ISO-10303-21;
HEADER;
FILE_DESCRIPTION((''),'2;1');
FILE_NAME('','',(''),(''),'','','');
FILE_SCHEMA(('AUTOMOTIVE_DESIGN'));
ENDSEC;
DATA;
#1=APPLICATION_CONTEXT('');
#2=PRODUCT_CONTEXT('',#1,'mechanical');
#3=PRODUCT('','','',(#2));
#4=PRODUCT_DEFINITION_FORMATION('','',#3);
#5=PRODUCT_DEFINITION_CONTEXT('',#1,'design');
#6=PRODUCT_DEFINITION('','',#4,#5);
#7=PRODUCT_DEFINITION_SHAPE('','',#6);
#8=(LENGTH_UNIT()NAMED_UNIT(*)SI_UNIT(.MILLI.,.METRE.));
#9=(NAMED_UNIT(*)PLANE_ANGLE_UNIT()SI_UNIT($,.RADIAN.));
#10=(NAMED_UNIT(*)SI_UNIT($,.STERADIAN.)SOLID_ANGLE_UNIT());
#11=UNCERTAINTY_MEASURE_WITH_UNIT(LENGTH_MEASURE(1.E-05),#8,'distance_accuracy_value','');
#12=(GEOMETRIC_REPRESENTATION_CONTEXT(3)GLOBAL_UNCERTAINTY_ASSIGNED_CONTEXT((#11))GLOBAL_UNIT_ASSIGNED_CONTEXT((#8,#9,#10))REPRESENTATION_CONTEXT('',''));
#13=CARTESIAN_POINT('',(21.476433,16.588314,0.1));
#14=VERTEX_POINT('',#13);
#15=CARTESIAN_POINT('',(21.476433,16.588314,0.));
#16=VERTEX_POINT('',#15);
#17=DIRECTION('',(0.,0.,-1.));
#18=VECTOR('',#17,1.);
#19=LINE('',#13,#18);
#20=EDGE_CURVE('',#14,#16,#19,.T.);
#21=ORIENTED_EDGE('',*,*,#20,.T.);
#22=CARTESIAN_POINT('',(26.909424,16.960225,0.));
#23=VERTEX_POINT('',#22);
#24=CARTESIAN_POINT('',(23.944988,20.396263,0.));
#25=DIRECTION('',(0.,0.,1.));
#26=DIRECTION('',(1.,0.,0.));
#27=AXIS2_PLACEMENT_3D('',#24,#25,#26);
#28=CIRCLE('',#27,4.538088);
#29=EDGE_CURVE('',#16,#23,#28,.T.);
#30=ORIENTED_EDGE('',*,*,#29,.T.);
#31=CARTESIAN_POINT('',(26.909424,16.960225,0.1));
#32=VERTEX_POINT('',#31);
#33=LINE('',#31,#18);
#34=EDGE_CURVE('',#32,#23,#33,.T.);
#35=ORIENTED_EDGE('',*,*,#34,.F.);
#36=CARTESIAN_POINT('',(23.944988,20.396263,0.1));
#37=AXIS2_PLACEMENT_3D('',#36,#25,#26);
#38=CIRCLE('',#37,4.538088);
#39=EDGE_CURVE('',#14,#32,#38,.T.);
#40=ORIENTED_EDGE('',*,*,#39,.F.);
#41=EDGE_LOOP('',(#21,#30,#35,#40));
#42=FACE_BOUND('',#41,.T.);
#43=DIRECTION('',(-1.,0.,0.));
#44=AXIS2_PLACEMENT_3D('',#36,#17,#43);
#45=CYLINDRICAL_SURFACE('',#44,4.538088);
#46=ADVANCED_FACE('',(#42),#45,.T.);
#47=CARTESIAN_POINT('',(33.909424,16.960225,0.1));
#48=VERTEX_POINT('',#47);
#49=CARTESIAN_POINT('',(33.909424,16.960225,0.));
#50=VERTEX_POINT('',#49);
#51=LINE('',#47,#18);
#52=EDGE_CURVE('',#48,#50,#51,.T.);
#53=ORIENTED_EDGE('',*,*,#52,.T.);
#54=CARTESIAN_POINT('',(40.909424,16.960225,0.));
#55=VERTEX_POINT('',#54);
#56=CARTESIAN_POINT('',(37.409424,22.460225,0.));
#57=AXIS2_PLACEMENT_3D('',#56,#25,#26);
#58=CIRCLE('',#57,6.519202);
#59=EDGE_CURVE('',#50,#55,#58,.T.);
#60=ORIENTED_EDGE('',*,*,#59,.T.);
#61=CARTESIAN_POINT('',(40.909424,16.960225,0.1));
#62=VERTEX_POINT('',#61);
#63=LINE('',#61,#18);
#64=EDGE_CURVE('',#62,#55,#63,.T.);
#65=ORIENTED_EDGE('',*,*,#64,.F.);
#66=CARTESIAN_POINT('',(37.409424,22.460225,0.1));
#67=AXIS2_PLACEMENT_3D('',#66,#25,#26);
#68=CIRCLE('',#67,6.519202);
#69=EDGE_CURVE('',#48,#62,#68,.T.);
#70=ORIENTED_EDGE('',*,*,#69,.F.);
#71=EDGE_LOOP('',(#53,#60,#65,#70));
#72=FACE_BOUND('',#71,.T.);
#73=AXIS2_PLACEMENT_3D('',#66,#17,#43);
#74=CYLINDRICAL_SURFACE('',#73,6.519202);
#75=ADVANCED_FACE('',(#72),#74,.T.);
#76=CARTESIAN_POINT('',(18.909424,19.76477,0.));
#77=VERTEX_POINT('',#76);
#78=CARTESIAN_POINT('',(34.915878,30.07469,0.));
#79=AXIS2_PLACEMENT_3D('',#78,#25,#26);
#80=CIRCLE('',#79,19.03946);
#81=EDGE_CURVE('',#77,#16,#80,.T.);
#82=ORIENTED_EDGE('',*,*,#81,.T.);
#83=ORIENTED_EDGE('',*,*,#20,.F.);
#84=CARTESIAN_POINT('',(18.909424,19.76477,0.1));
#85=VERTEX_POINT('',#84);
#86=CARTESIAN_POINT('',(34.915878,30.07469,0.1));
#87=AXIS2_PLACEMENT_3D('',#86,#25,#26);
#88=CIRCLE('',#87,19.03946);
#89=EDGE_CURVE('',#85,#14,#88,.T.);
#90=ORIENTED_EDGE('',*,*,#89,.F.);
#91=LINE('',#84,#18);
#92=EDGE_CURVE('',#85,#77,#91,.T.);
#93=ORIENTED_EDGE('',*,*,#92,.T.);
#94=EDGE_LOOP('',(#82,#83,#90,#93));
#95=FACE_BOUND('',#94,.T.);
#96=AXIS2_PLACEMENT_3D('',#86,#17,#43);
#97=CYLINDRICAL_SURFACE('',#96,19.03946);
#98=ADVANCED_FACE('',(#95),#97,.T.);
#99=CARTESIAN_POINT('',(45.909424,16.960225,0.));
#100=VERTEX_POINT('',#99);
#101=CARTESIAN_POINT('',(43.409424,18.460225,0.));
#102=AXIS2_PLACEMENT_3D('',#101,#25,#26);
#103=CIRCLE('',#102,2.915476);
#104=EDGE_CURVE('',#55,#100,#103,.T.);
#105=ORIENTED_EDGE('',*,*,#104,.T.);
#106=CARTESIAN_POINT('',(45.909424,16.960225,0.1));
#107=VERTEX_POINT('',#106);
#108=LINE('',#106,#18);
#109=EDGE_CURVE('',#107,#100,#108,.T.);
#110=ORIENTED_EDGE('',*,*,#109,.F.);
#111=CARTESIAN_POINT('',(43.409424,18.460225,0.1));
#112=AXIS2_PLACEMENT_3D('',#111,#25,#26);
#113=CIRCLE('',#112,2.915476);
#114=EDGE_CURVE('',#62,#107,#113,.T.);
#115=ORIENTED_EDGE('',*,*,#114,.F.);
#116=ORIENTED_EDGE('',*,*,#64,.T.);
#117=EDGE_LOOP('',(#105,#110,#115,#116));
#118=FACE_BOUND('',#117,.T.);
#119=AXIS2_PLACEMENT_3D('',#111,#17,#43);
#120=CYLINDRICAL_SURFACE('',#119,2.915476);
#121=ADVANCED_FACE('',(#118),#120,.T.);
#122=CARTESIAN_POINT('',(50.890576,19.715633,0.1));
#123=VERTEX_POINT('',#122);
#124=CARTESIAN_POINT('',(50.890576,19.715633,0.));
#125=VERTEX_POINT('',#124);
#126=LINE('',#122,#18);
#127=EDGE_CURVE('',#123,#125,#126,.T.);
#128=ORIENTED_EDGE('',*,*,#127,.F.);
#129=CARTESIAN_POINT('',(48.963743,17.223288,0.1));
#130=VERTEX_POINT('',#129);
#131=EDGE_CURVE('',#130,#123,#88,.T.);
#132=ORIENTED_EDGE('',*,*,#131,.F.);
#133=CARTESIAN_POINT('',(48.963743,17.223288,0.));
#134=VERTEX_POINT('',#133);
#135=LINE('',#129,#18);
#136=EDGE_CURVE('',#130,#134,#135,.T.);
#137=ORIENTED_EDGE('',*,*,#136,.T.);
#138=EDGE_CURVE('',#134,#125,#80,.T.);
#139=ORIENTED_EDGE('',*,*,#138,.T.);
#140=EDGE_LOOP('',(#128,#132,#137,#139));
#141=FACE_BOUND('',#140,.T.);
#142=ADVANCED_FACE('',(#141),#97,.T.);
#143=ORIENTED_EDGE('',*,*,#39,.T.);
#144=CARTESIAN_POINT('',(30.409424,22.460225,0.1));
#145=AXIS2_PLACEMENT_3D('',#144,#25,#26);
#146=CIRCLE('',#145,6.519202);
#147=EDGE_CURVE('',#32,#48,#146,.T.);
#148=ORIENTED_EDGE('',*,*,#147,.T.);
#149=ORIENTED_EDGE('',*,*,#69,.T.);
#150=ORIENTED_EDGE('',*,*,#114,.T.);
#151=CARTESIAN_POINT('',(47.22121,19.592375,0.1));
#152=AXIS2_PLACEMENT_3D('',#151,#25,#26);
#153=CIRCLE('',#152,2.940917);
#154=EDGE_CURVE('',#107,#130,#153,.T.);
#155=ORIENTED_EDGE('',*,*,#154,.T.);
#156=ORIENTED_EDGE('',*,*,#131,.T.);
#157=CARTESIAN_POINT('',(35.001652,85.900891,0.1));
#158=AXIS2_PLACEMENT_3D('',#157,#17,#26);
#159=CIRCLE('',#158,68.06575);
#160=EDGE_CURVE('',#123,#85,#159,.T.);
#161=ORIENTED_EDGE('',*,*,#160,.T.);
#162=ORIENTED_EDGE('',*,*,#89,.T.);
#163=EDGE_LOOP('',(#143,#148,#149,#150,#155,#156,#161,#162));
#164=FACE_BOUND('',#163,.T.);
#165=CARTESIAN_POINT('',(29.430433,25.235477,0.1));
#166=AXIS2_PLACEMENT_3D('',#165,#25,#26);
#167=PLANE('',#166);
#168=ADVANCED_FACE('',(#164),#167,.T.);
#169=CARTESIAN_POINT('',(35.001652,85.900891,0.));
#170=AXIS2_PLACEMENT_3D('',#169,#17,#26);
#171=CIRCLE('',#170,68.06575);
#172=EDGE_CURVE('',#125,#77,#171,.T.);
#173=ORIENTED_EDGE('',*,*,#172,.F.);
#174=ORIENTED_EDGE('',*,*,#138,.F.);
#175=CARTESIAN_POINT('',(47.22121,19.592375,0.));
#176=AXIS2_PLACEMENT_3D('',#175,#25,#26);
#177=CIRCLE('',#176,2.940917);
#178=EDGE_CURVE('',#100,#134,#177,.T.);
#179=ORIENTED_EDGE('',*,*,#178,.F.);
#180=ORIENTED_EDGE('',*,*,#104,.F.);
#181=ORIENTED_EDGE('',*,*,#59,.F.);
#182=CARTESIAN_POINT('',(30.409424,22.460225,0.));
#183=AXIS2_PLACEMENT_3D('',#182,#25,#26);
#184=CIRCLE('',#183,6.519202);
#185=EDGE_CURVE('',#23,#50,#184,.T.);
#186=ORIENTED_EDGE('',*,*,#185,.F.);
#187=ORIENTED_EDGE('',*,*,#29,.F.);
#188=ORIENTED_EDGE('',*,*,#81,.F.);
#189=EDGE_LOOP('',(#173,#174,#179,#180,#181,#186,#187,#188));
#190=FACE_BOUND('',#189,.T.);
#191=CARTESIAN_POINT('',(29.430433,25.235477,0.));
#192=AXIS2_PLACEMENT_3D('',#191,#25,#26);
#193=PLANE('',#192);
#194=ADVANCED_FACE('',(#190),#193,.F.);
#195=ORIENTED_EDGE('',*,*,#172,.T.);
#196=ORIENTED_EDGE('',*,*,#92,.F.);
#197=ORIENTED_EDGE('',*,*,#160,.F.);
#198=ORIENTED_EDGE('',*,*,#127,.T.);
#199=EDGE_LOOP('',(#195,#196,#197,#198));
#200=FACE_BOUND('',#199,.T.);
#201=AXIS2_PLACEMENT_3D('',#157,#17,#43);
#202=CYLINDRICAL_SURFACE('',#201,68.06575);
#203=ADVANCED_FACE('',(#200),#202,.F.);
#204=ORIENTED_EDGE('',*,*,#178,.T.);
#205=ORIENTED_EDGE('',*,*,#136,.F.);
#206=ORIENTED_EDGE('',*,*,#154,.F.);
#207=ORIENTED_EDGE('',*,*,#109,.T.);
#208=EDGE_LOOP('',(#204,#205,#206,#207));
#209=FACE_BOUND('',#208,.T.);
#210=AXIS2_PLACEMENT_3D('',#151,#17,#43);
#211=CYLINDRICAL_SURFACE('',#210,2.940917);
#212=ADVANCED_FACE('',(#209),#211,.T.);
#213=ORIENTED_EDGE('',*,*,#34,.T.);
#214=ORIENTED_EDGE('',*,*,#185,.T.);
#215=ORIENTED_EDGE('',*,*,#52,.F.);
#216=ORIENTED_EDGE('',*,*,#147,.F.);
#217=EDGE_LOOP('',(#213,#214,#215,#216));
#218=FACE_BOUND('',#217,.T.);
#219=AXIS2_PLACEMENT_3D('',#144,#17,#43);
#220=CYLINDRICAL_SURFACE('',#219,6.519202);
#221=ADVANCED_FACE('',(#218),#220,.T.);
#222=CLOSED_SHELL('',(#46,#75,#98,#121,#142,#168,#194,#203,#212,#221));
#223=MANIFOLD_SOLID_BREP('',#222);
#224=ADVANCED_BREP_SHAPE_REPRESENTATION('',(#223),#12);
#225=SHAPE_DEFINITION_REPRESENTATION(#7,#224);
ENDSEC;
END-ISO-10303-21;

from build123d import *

# Parameters (mm, degrees)
SALIENTE_EXTRUIR1_DEPTH = 0.1


with BuildPart() as part:
    # Model → Saliente-Extruir1 (new body)
    with BuildSketch(Plane.XY):
        with BuildLine():
            ThreePointArc((21.476433387, 16.588313555), (24.254914005, 15.868770802), (26.909424151, 16.960224971))
            ThreePointArc((26.909424151, 16.960224971), (30.409424151, 15.941022565), (33.909424151, 16.960224971))
            ThreePointArc((33.909424151, 16.960224971), (37.409424151, 15.941022565), (40.909424151, 16.960224971))
            ThreePointArc((40.909424151, 16.960224971), (43.409424151, 15.544749023), (45.909424151, 16.960224971))
            ThreePointArc((45.909424151, 16.960224971), (47.473571512, 16.662305343), (48.963743034, 17.223288326))
            ThreePointArc((48.963743034, 17.223288326), (49.978796563, 18.429539819), (50.890575849, 19.715632689))
            ThreePointArc((50.890575849, 19.715632689), (34.89707312, 17.835221297), (18.909424151, 19.764769681))
            ThreePointArc((18.909424151, 19.764769681), (20.10751204, 18.107513266), (21.476433387, 16.588313555))
        make_face()
    extrude(amount=SALIENTE_EXTRUIR1_DEPTH)


solid = part.part
